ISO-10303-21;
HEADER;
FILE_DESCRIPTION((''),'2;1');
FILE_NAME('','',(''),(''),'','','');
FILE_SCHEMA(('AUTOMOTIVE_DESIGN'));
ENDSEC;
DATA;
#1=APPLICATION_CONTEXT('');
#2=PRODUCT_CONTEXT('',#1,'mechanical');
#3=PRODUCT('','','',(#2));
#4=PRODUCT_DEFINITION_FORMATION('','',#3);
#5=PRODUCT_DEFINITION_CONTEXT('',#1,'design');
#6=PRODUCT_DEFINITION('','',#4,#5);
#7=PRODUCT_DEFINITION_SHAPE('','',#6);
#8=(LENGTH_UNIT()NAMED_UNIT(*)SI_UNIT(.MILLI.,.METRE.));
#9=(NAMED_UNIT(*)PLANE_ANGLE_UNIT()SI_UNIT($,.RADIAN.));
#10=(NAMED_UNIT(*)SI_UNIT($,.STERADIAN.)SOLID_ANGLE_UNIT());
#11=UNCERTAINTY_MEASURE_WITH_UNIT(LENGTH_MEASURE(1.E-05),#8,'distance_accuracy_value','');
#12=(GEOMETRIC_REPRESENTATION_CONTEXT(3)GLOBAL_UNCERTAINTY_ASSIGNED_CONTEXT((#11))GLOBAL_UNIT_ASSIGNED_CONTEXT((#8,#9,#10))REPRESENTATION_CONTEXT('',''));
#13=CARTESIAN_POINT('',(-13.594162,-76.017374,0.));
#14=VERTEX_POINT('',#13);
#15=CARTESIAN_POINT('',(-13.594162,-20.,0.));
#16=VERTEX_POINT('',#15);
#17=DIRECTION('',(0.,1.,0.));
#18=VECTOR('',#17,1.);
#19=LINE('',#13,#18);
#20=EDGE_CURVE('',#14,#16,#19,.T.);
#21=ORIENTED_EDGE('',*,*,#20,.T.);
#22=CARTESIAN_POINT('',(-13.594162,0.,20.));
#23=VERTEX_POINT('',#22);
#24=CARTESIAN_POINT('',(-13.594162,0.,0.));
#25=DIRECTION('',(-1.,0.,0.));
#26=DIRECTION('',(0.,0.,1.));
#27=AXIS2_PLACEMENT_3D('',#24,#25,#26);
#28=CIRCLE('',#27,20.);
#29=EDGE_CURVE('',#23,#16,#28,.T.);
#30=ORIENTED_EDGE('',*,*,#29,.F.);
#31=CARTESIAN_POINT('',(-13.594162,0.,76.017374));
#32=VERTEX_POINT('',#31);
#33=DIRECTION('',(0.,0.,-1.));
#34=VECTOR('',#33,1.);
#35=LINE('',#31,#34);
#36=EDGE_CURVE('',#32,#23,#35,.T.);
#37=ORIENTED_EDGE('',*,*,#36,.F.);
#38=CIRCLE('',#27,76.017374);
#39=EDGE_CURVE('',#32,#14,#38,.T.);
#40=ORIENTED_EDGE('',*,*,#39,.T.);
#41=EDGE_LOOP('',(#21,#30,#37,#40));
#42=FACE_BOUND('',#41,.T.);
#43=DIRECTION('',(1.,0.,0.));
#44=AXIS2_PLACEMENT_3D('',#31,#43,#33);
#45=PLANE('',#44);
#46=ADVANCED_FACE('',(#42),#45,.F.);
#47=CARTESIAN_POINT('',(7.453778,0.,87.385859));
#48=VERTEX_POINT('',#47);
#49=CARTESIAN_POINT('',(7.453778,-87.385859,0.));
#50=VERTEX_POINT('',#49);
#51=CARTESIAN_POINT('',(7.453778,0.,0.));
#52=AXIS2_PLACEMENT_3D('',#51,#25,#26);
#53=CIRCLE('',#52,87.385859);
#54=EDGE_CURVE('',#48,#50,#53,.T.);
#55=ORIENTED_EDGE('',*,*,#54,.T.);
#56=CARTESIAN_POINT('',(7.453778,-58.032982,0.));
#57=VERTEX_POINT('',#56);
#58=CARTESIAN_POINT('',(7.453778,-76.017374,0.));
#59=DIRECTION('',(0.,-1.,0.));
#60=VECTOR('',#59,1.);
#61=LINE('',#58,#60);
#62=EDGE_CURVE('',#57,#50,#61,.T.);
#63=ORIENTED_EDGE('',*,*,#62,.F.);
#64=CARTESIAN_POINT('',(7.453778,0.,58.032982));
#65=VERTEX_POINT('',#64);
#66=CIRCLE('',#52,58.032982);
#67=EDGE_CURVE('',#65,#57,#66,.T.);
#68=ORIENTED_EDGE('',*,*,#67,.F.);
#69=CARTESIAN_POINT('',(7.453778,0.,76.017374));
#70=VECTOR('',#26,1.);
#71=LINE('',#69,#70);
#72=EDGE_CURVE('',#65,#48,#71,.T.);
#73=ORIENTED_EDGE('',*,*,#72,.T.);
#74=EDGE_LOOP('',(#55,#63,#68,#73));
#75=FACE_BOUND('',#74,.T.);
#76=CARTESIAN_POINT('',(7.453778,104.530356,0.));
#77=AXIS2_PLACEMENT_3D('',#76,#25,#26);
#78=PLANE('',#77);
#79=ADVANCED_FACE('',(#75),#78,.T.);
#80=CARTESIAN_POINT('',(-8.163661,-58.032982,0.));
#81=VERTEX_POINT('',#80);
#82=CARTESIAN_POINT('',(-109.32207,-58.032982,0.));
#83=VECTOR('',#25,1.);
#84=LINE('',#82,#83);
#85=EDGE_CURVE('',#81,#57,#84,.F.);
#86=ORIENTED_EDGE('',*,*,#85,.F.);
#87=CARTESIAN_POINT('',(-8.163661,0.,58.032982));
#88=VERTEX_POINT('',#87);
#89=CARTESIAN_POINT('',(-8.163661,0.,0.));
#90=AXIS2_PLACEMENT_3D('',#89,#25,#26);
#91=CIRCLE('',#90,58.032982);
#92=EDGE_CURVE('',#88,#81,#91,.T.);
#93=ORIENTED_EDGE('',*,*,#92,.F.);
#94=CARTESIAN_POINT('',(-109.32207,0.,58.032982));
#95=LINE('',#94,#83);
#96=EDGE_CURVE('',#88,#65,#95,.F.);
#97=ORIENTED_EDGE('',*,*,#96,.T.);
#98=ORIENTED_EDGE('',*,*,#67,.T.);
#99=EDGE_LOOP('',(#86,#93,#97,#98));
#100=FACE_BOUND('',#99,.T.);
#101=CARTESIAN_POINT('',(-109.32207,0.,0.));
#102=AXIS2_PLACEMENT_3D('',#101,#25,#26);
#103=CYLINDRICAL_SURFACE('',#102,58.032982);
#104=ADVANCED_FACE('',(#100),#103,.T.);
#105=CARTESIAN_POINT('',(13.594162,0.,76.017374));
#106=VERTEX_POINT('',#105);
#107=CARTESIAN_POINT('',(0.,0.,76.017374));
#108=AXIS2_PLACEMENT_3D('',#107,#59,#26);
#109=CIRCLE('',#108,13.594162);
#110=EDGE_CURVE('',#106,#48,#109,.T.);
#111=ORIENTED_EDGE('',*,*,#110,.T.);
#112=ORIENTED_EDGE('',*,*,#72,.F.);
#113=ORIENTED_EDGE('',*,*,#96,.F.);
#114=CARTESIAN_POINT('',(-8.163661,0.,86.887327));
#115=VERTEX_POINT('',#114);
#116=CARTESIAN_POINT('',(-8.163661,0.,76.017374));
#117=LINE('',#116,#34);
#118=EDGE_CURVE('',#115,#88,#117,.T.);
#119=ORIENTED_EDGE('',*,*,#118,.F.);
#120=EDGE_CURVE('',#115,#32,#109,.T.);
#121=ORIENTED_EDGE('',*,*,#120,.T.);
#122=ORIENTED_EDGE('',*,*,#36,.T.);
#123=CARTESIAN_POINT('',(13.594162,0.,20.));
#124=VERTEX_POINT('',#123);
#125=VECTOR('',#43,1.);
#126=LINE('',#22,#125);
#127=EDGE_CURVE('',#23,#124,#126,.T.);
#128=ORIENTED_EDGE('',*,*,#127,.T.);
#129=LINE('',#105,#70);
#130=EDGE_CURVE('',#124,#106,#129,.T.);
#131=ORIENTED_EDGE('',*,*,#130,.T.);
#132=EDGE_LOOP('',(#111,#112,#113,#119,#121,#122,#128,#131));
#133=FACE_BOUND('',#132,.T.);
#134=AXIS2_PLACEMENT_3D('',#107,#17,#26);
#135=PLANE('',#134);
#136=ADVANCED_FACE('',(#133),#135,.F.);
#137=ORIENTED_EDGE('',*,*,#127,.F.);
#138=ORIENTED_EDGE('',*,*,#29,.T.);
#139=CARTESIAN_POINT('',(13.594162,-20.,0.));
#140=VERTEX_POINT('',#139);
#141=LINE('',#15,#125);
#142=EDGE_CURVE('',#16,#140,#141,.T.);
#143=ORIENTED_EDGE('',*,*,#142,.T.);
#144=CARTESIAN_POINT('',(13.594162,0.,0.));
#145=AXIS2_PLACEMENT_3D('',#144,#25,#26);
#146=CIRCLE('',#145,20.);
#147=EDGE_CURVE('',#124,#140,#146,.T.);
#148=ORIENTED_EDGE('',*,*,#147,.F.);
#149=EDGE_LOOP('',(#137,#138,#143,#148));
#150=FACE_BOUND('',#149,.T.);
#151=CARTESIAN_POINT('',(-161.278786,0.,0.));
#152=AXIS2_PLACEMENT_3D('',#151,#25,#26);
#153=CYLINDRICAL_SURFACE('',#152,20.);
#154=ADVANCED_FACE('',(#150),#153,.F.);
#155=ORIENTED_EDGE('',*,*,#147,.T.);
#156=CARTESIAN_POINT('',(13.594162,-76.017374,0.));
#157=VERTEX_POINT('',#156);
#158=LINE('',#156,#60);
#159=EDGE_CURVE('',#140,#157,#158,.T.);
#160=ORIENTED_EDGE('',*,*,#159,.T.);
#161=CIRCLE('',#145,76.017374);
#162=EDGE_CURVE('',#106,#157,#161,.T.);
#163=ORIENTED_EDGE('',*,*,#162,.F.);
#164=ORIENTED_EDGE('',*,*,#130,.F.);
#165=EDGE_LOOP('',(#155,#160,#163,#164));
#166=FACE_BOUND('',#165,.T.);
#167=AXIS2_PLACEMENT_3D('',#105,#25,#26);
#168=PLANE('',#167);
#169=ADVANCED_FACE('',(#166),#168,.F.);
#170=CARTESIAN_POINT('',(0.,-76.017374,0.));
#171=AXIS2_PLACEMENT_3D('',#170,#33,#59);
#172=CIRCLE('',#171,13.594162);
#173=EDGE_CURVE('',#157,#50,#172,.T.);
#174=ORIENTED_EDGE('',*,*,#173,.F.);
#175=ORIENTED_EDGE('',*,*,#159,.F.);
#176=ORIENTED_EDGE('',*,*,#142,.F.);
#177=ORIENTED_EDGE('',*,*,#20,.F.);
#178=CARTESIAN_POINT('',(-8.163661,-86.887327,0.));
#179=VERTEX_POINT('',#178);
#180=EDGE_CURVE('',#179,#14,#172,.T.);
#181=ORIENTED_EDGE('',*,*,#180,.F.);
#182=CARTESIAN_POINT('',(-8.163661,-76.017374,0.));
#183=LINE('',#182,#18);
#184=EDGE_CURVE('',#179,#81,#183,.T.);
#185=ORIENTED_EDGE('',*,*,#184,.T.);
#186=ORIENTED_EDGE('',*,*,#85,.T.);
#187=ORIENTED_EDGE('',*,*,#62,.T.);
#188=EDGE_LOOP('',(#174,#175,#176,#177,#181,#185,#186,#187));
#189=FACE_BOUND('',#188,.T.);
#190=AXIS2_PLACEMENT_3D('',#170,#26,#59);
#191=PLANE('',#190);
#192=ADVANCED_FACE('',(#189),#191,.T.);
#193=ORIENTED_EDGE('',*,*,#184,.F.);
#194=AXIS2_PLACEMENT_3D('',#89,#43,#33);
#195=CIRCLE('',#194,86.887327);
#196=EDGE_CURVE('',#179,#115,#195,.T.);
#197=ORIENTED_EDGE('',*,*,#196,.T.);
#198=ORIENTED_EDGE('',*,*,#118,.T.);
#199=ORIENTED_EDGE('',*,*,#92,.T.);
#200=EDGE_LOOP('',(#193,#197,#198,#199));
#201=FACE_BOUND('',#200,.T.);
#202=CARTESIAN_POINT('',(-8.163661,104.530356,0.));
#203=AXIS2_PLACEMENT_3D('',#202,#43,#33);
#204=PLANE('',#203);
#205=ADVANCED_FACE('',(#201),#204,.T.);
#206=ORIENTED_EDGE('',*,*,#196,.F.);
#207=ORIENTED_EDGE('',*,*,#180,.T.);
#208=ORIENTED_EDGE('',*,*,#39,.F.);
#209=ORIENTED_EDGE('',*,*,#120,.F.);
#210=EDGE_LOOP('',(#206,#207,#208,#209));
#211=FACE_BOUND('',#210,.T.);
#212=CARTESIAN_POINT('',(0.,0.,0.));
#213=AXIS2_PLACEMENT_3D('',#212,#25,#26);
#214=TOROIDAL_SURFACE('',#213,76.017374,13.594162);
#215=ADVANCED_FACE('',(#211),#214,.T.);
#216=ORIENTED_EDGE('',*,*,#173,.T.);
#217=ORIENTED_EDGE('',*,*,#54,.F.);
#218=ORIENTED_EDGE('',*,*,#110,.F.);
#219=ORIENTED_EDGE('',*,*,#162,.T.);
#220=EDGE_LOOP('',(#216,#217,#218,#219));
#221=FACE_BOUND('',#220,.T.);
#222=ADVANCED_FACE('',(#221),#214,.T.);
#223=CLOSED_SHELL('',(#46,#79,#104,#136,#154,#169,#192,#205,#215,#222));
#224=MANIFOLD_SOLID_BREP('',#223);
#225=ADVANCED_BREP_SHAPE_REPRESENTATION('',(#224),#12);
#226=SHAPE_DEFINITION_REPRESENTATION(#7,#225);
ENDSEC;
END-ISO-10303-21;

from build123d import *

# Parameters (mm, degrees)
REVOLVE1_ANGLE           = 180
REVOLVE1_OTHER_WAY_ANGLE = 90
SKETCH7_W                = 15.617438642
SKETCH7_H                = 46.497374137


with BuildPart() as part:
    # Sketch1 → Revolve1 (revolve)
    with BuildSketch(Plane(origin=(0, 0, 0), x_dir=(1, 0, 0), z_dir=(0, 1, 0))):
        with BuildLine():
            Line((-13.594162094, 76.01737396), (-13.594162094, 20))
            Line((-13.594162094, 20), (13.594162094, 20))
            Line((13.594162094, 20), (13.594162094, 76.01737396))
            ThreePointArc((13.594162094, 76.01737396), (0, 89.611536054), (-13.594162094, 76.01737396))
        make_face()
    revolve(axis=Axis((-161.278786223, 0, 0), (1, 0, 0)), revolution_arc=REVOLVE1_ANGLE)

    # Sketch1 → Revolve1 other way (revolve)
    with BuildSketch(Plane(origin=(0, 0, 0), x_dir=(1, 0, 0), z_dir=(0, 1, 0))):
        with BuildLine():
            Line((-13.594162094, 76.01737396), (-13.594162094, 20))
            Line((-13.594162094, 20), (13.594162094, 20))
            Line((13.594162094, 20), (13.594162094, 76.01737396))
            ThreePointArc((13.594162094, 76.01737396), (0, 89.611536054), (-13.594162094, 76.01737396))
        make_face()
    revolve(axis=Axis((-161.278786223, 0, 0), (-1, 0, 0)), revolution_arc=REVOLVE1_OTHER_WAY_ANGLE)

    # Sketch7 → Cut-Revolve1 (revolve, cut)
    with BuildSketch(Plane.XY):
        with Locations((-0.354941787, 81.281669295)):
            Rectangle(SKETCH7_W, SKETCH7_H)
    revolve(axis=Axis((-109.322070492, 0, 0), (1, 0, 0)), mode=Mode.SUBTRACT)


solid = part.part
